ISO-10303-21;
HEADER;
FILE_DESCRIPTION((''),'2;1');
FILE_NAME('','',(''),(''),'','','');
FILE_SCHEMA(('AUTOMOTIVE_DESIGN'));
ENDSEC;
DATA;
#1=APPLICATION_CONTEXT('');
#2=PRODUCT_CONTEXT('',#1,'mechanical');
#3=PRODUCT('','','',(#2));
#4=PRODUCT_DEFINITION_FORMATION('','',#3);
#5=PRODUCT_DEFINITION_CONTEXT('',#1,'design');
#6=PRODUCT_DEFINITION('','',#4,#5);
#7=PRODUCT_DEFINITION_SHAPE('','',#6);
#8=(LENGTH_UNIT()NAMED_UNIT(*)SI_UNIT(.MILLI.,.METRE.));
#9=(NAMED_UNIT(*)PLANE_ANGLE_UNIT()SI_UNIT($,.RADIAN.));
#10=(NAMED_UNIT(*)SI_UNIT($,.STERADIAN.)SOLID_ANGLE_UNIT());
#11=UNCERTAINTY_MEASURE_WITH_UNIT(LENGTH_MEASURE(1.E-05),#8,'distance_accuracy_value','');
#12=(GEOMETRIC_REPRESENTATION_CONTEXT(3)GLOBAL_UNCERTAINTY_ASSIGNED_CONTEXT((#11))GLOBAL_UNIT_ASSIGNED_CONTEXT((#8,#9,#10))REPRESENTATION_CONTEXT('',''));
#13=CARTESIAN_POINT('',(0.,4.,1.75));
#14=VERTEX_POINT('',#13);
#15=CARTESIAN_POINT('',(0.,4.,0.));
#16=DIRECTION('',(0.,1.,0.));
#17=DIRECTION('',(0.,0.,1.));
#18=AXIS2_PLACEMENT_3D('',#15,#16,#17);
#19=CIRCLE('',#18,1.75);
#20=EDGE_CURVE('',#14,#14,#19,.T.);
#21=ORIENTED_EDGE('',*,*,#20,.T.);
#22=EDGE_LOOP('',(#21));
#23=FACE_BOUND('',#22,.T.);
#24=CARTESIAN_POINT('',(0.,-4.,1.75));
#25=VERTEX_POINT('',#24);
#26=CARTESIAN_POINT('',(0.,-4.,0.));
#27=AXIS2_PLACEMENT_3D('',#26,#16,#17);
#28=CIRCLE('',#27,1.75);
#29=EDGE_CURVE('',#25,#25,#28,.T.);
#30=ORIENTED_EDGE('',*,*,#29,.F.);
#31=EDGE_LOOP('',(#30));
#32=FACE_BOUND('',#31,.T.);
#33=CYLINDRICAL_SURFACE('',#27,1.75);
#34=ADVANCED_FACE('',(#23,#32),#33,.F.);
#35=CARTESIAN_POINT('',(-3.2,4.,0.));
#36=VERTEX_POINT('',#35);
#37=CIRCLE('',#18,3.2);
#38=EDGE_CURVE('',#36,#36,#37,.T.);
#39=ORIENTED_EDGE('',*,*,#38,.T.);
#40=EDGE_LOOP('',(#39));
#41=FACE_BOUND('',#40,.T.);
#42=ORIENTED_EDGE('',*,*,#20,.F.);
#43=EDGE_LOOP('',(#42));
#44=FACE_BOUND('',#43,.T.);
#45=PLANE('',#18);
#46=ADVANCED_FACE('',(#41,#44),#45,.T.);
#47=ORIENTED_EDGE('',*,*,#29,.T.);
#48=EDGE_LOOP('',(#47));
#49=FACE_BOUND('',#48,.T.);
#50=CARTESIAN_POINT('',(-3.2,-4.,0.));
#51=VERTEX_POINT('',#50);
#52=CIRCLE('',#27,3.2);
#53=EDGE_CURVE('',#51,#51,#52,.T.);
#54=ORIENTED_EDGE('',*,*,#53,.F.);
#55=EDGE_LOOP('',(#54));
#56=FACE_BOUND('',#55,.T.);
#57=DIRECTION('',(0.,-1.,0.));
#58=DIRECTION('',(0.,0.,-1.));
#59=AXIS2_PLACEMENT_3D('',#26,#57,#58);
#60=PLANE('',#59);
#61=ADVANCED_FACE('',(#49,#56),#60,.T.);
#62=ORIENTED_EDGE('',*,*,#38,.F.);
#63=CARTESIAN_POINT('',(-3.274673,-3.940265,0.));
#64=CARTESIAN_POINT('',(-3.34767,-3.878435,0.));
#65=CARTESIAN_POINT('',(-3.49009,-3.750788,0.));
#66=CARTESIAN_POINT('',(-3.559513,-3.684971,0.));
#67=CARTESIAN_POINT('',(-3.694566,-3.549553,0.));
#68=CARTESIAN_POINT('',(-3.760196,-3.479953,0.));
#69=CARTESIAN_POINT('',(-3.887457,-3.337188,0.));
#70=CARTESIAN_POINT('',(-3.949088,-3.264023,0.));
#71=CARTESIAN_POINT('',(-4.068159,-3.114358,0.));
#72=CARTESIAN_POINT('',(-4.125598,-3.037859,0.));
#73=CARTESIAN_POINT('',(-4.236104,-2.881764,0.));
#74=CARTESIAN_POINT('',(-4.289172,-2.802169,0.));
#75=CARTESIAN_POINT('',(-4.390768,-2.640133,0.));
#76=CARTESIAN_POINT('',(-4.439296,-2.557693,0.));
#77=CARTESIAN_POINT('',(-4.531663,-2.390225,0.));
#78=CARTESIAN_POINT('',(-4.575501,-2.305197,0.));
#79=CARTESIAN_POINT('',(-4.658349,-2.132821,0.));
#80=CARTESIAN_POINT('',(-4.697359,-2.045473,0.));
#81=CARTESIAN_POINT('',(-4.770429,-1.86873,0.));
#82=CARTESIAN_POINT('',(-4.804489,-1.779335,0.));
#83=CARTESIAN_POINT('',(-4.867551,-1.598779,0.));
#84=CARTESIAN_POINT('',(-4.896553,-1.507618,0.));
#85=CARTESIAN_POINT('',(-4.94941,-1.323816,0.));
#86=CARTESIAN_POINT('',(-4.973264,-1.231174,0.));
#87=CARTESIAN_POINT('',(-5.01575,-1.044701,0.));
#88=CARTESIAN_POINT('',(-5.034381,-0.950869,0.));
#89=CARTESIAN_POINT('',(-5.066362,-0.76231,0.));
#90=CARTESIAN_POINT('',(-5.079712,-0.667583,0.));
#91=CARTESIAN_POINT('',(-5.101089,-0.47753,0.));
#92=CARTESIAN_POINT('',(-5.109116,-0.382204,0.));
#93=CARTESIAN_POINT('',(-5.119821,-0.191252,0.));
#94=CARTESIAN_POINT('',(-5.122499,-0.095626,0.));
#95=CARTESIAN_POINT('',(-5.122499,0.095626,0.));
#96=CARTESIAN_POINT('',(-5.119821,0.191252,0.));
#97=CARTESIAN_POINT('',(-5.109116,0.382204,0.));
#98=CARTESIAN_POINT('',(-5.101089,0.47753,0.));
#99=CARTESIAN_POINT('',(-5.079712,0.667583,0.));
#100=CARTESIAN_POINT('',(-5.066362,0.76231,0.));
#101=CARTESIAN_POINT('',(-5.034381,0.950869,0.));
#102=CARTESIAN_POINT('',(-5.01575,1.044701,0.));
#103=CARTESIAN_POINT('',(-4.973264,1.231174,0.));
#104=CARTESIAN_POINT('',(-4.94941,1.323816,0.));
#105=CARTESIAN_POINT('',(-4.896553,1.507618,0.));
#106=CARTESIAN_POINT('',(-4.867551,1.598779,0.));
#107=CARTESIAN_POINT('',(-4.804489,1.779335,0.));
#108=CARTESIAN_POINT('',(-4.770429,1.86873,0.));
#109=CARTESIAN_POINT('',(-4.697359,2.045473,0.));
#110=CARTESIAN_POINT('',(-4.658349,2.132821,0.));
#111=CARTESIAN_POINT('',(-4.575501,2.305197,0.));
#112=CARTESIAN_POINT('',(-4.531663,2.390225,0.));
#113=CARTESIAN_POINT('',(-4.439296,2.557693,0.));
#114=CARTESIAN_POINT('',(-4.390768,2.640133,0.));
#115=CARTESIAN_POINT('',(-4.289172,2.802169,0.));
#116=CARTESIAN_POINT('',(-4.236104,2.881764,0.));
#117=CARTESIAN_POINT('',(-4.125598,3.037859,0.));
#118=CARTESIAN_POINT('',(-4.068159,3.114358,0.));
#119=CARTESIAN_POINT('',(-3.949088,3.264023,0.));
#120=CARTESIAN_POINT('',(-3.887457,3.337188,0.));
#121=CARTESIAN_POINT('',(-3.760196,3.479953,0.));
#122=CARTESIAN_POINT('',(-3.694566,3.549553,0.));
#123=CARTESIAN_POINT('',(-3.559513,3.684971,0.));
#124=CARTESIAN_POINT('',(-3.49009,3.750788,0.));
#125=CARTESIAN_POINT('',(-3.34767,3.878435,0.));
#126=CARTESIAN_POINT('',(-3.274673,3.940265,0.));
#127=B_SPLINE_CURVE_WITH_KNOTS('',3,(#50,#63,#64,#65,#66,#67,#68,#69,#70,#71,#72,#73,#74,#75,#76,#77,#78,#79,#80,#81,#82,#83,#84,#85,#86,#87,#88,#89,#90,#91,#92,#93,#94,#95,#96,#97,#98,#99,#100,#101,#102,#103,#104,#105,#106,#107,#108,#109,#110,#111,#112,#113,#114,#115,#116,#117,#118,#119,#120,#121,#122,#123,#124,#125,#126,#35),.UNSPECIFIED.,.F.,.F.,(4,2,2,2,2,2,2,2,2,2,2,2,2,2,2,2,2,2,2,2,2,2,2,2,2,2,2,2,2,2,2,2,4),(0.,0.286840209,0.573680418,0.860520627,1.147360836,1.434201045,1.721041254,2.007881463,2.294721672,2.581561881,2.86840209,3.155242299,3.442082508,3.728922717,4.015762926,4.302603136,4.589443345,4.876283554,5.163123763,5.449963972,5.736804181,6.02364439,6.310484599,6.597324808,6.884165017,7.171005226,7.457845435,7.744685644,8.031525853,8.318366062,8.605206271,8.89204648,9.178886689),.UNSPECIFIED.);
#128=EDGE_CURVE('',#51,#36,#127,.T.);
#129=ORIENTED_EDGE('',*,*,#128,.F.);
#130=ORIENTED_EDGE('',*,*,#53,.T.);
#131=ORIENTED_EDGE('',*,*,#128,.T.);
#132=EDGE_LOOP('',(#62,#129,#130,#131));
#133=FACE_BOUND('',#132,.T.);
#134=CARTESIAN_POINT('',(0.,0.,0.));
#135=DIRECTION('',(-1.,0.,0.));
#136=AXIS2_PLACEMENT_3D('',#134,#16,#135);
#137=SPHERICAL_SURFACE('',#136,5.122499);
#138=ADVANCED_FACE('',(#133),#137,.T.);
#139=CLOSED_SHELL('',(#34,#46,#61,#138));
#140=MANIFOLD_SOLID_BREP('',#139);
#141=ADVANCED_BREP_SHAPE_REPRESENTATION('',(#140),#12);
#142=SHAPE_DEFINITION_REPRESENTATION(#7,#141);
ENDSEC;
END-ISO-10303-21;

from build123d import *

# Parameters (mm, degrees)
SKETCH2_R          = 1.75
CUT_EXTRUDE1_DEPTH = 11.792590051


with BuildPart() as part:
    # Sketch1 → Revolve2 (revolve)
    with BuildSketch(Plane.XY):
        with BuildLine():
            Line((0, 4), (0, -4))
            Line((0, -4), (-3.2, -4))
            ThreePointArc((-3.2, -4), (-5.12249939, 0), (-3.2, 4))
            Line((-3.2, 4), (0, 4))
        make_face()
    revolve(axis=Axis((0, 4, 0), (0, -1, 0)))

    # Sketch2 → Cut-Extrude1 (cut, through all)
    with BuildSketch(Plane(origin=(0, 4, 0), x_dir=(1, 0, 0), z_dir=(0, 1, 0))):
        with Locations(Location((0, 0, 0), (0, 0, 270))):
            Circle(SKETCH2_R)
    extrude(amount=-CUT_EXTRUDE1_DEPTH, mode=Mode.SUBTRACT)


solid = part.part
